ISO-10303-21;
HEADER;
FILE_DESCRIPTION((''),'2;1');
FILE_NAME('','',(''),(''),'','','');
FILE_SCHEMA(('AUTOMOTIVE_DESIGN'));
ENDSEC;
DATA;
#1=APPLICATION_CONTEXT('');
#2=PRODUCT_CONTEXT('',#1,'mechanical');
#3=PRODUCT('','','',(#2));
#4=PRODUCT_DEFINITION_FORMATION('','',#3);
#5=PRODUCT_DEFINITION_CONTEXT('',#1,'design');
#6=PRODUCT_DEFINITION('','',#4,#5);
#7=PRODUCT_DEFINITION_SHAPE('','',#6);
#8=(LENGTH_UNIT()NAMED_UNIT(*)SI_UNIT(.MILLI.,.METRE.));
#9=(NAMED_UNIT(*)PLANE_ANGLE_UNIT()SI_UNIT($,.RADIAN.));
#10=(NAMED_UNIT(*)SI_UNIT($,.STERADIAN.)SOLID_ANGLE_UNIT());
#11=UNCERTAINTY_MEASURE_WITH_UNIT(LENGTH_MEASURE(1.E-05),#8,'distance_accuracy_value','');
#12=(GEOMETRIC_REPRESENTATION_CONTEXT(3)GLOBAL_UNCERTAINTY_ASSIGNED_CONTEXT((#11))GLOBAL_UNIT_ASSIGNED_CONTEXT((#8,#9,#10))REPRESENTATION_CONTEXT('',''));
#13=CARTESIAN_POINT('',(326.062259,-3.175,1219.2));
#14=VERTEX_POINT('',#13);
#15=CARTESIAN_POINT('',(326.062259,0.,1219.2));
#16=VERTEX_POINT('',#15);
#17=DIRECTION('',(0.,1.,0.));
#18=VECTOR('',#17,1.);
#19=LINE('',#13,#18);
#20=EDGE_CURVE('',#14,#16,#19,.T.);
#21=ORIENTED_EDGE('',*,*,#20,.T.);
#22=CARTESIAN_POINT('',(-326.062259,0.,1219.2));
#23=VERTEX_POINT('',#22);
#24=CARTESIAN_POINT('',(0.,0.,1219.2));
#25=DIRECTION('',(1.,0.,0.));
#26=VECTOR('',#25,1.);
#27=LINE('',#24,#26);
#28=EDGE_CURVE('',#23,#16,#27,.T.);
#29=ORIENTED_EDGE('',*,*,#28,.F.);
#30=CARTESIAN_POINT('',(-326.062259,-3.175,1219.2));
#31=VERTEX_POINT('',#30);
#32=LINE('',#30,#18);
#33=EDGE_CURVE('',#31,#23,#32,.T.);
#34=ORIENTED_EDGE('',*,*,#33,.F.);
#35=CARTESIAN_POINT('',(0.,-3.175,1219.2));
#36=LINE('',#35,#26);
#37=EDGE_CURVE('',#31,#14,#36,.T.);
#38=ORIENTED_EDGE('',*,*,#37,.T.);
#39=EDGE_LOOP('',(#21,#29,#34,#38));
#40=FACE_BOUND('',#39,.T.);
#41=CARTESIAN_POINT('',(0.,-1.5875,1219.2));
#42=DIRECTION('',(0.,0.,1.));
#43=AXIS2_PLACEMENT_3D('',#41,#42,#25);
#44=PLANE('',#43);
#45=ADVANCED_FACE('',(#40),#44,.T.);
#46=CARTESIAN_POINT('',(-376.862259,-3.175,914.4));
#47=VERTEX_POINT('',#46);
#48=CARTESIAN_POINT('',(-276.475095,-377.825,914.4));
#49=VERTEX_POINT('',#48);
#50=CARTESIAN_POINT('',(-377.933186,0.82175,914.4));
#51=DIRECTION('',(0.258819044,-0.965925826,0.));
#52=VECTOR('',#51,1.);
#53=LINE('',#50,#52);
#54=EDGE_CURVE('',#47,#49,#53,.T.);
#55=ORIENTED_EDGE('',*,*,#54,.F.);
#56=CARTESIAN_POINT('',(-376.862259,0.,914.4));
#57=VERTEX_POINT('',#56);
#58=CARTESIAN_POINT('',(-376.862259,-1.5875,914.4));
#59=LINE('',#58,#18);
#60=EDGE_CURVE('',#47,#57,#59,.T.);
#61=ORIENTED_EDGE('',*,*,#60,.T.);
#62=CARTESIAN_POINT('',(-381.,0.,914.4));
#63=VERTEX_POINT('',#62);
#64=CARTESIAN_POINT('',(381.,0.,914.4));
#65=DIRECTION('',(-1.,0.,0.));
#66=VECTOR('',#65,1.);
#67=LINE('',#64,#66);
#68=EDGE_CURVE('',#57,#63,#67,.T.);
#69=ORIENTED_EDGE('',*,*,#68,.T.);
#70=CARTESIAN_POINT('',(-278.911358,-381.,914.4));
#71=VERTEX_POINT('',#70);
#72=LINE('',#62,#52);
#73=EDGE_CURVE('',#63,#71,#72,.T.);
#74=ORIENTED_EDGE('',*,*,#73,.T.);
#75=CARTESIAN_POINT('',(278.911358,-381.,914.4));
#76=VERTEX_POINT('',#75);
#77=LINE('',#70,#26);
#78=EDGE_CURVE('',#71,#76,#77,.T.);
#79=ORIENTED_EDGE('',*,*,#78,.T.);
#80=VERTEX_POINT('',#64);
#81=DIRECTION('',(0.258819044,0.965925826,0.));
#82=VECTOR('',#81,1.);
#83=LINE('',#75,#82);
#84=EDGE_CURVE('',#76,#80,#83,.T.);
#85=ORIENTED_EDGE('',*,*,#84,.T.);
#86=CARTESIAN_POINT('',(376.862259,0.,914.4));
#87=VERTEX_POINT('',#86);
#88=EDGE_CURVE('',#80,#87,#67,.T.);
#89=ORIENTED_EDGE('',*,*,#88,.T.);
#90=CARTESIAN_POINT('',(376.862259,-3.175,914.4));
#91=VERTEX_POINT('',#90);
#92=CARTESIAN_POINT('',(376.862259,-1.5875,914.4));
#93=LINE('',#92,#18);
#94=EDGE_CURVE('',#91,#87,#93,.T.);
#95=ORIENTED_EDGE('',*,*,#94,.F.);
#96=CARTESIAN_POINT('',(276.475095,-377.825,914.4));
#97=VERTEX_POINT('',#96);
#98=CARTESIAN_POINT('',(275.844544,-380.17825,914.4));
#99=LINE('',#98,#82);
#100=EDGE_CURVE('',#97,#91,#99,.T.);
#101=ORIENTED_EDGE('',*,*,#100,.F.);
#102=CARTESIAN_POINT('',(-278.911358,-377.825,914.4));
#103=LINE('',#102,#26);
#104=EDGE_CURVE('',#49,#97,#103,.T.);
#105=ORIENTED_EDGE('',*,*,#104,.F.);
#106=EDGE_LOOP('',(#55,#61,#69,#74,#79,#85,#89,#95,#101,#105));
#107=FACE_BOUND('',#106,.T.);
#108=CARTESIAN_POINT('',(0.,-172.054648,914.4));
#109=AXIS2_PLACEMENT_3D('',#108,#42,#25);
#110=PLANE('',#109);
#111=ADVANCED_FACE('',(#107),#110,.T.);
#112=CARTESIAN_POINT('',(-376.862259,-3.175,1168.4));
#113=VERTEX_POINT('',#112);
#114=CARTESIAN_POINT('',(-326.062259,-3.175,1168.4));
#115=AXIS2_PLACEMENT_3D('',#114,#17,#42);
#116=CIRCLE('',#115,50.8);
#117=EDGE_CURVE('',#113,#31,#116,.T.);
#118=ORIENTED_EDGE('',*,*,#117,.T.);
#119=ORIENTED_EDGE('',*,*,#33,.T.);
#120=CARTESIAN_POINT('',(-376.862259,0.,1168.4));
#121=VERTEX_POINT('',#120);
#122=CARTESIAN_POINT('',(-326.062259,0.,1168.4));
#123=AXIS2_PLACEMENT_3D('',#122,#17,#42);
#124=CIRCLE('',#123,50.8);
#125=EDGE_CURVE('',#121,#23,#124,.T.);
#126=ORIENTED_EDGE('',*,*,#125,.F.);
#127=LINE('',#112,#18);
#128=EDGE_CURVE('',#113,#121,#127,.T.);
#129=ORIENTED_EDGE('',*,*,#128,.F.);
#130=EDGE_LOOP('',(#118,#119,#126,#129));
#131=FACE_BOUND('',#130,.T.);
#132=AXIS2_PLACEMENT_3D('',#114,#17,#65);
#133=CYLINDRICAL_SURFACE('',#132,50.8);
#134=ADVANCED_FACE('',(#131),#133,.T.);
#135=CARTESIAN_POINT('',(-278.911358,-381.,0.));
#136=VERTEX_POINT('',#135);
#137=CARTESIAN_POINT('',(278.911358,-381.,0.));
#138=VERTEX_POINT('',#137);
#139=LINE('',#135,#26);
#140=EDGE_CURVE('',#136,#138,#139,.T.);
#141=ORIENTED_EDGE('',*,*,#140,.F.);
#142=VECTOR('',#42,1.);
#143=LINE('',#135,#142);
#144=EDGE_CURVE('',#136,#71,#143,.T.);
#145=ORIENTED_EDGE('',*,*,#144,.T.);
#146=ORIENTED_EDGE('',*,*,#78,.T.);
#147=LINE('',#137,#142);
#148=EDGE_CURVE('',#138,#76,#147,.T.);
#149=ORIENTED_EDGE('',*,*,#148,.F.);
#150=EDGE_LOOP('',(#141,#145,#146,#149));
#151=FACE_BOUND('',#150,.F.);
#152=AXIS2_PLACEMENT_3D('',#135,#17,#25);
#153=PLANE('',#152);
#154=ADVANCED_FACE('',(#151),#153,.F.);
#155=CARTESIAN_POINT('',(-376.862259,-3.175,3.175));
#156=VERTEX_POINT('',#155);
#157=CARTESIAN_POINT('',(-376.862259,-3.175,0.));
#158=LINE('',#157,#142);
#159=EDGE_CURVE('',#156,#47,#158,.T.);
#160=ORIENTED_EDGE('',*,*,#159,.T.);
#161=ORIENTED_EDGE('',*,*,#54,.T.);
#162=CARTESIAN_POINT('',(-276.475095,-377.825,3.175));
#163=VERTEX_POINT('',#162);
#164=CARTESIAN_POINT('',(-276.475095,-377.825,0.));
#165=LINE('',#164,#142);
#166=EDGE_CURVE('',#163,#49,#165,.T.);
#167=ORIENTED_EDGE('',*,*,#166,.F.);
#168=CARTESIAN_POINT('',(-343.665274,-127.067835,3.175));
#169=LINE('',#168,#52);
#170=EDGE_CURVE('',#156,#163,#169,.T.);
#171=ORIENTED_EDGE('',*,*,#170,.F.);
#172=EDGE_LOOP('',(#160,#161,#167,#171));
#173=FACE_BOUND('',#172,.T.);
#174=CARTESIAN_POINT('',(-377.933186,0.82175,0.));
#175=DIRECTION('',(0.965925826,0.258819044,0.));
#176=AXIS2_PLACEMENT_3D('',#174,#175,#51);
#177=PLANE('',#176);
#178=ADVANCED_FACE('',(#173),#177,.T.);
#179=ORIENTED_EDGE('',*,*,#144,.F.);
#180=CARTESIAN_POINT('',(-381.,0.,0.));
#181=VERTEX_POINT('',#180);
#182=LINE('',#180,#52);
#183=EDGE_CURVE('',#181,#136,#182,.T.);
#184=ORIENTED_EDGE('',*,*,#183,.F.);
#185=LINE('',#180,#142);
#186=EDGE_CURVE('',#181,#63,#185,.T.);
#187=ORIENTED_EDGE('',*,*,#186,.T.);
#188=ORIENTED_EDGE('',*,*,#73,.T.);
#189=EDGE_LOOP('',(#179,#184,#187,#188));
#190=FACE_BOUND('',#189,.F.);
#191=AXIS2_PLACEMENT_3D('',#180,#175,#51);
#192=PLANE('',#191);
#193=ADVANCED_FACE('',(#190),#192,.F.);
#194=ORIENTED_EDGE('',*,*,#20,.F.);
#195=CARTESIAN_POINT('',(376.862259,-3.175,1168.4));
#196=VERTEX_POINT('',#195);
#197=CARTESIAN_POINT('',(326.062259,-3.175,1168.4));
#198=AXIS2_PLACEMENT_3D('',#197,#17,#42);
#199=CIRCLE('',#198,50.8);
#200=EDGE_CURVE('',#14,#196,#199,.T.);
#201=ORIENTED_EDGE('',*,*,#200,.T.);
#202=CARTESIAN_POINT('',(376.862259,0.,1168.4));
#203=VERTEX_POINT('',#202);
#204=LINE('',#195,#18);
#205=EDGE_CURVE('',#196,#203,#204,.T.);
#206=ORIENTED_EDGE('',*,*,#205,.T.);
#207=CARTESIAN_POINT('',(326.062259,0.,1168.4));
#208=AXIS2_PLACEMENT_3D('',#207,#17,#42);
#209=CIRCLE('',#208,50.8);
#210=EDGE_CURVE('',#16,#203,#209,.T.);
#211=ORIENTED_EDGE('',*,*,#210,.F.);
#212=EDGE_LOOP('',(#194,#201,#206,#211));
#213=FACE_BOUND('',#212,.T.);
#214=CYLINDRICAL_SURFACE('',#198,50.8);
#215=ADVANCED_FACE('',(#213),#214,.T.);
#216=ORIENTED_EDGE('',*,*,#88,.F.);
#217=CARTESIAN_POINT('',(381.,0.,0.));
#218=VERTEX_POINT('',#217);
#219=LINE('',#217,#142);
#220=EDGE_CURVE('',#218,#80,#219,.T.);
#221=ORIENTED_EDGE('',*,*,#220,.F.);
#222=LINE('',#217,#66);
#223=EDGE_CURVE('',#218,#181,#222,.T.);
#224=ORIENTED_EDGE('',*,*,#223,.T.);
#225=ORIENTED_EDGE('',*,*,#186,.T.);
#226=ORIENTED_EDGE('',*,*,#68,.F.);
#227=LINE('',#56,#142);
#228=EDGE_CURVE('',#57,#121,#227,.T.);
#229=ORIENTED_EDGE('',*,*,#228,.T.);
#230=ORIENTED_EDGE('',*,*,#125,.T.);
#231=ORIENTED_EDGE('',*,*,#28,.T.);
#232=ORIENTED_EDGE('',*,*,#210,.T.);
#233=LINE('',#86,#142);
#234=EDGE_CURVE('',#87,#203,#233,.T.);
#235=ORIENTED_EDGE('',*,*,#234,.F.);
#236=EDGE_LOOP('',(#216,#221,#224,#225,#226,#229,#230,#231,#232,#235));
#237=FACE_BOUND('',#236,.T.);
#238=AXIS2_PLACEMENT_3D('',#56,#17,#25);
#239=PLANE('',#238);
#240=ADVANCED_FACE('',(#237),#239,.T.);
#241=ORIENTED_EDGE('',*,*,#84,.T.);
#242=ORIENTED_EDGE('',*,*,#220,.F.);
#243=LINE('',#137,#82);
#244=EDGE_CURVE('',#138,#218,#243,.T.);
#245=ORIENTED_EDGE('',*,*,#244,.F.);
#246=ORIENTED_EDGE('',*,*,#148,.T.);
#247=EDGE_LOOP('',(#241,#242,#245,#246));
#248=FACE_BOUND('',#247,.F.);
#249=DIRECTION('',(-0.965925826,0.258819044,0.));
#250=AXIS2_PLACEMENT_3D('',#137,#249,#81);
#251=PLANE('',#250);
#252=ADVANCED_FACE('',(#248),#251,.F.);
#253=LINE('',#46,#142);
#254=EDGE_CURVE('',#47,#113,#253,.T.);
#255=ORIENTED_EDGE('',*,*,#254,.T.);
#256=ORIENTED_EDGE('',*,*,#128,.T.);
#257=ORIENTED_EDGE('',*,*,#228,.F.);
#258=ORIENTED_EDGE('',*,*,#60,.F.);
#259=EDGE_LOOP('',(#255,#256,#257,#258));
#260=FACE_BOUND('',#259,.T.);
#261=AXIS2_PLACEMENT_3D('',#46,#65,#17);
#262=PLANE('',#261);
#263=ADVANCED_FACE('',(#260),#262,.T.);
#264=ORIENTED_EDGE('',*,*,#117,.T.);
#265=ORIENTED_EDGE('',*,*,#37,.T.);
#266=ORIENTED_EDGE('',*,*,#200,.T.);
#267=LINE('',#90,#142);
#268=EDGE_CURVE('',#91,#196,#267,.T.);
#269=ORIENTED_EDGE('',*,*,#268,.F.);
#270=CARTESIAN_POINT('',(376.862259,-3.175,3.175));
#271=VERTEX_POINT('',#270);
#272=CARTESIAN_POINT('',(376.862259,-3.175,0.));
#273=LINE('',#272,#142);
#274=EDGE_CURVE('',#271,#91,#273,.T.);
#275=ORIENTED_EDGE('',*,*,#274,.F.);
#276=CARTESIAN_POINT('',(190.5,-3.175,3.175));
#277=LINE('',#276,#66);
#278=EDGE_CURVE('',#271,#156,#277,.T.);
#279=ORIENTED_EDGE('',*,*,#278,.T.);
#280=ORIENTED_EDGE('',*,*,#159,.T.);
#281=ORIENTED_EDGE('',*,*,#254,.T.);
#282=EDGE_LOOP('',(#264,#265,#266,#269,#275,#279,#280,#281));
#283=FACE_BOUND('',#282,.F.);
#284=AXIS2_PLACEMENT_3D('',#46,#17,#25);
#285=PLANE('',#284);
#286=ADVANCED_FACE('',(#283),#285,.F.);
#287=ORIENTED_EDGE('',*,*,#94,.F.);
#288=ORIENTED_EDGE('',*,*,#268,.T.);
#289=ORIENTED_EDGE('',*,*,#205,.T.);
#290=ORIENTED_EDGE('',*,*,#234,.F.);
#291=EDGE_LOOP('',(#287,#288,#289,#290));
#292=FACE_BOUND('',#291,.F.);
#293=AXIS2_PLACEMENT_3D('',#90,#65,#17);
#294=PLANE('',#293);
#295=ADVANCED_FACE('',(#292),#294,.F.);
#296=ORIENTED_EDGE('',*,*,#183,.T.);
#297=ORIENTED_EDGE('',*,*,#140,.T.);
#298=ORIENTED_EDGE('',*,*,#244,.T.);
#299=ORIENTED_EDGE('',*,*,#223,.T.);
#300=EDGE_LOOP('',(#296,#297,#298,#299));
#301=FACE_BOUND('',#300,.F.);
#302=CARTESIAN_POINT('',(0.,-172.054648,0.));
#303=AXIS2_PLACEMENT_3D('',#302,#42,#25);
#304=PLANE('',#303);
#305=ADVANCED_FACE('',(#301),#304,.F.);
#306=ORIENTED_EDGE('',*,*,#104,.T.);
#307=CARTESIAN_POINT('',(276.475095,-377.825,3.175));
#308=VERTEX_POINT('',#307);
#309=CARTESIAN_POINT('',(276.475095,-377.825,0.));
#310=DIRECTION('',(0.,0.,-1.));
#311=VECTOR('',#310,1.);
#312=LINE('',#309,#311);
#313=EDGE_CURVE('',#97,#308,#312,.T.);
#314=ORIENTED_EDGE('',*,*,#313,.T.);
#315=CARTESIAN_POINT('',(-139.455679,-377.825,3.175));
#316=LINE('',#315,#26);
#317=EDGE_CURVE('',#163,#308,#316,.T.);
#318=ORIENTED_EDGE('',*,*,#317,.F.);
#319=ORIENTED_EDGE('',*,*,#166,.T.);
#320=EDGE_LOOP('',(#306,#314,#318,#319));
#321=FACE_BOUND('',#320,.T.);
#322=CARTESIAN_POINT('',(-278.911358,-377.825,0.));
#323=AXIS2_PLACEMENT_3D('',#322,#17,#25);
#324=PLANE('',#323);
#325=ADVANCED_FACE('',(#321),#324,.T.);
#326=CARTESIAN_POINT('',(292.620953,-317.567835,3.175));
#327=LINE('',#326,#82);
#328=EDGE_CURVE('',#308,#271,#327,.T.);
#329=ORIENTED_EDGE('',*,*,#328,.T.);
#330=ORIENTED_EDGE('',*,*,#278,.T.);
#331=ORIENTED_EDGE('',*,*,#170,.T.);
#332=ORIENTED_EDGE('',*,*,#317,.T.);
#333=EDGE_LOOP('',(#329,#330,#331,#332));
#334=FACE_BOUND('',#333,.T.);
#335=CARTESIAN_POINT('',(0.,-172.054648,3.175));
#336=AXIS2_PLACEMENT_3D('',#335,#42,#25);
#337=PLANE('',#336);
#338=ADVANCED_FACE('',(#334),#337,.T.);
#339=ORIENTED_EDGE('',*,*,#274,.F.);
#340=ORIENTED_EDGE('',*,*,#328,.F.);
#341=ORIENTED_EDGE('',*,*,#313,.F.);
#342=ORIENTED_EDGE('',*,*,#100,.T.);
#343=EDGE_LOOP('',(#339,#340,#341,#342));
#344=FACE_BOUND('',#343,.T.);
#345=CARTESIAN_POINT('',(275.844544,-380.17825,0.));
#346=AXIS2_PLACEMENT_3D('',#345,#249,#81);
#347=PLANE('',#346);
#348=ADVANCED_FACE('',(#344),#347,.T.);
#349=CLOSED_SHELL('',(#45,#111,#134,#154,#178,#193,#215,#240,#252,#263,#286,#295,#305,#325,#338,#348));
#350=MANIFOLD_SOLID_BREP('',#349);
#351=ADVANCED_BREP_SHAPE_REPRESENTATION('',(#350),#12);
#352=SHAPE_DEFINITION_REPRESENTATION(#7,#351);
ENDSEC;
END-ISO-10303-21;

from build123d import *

# Parameters (mm, degrees)
F1_DEPTH = 914.4
F2_T     = -3.175
F3_W     = 753.724518
F3_H     = 3.175
F4_DEPTH = 304.8
F5_R     = 50.8


with BuildPart() as f1:
    # F0 (on Top) → F1 (new body)
    with BuildSketch(Plane.XY):
        Polygon((278.911358, -381), (381, 0), (-381, 0), (-278.911358, -381), align=None)
    extrude(amount=F1_DEPTH)

    # F2
    f2_openings = [f1.faces().sort_by_distance(p)[0] for p in [
        (0, -180.676516, 914.4),
    ]]
    offset(amount=F2_T, openings=f2_openings)

    # F3 (on face) → F4 (join)
    with BuildSketch(Plane.XY.offset(914.4)):
        with Locations((0, -1.5875)):
            Rectangle(F3_W, F3_H)
    extrude(amount=F4_DEPTH)

    # F5
    f5_edges = [f1.edges().sort_by_distance(p)[0] for p in [
        (376.862259, -1.5875, 1219.2),
        (-376.862259, -1.5875, 1219.2),
    ]]
    fillet(f5_edges, radius=F5_R)


solid = f1.part
